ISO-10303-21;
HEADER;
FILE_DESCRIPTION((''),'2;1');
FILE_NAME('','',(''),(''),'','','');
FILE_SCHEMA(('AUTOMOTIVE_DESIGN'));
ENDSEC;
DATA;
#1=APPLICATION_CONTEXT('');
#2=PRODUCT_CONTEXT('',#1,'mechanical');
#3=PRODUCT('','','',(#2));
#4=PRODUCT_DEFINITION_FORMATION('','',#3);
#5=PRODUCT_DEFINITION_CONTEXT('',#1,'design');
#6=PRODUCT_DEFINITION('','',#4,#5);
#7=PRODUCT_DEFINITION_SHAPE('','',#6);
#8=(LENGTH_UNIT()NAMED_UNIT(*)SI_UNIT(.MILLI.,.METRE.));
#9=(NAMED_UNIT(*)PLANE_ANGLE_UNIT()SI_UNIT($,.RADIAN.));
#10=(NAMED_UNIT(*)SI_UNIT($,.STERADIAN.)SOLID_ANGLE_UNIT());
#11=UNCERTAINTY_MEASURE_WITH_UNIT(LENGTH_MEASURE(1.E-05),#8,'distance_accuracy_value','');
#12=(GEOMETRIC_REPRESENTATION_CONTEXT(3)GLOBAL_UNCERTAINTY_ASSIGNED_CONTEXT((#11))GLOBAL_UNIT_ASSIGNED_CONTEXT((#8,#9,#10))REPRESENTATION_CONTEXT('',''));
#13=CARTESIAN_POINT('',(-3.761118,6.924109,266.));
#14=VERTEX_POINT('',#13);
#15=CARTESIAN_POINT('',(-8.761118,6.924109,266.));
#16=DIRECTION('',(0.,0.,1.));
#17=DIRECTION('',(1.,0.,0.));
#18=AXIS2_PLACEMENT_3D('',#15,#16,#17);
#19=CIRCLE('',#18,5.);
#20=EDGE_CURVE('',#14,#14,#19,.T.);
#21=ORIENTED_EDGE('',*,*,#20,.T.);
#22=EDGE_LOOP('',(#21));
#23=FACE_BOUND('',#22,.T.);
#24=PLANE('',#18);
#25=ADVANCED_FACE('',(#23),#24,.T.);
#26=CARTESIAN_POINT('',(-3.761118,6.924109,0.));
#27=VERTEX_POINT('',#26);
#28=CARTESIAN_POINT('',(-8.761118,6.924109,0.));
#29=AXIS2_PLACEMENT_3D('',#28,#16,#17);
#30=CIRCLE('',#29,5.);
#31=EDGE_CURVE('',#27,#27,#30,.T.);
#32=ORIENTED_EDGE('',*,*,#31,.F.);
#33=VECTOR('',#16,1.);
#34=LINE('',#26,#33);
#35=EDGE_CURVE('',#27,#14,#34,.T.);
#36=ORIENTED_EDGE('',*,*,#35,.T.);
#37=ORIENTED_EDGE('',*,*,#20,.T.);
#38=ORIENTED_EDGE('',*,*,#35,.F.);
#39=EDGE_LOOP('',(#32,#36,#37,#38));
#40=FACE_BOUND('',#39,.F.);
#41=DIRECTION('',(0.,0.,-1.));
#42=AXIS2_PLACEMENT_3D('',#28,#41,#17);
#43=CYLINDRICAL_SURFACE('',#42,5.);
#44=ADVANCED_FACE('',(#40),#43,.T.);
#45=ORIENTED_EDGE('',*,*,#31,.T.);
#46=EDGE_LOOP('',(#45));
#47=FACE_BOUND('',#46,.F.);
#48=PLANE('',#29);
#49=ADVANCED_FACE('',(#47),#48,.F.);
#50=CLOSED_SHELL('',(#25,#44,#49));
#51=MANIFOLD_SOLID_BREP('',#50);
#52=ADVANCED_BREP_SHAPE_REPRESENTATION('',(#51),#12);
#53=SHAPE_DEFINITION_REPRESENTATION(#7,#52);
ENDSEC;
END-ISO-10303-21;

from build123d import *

# Parameters (mm, degrees)
SKETCH1_R           = 5
BOSS_EXTRUDE1_DEPTH = 266


with BuildPart() as part:
    # Sketch1 → Boss-Extrude1 (new body)
    with BuildSketch(Plane.XY):
        with Locations((-8.761117994, 6.924109382)):
            Circle(SKETCH1_R)
    extrude(amount=BOSS_EXTRUDE1_DEPTH)


solid = part.part
